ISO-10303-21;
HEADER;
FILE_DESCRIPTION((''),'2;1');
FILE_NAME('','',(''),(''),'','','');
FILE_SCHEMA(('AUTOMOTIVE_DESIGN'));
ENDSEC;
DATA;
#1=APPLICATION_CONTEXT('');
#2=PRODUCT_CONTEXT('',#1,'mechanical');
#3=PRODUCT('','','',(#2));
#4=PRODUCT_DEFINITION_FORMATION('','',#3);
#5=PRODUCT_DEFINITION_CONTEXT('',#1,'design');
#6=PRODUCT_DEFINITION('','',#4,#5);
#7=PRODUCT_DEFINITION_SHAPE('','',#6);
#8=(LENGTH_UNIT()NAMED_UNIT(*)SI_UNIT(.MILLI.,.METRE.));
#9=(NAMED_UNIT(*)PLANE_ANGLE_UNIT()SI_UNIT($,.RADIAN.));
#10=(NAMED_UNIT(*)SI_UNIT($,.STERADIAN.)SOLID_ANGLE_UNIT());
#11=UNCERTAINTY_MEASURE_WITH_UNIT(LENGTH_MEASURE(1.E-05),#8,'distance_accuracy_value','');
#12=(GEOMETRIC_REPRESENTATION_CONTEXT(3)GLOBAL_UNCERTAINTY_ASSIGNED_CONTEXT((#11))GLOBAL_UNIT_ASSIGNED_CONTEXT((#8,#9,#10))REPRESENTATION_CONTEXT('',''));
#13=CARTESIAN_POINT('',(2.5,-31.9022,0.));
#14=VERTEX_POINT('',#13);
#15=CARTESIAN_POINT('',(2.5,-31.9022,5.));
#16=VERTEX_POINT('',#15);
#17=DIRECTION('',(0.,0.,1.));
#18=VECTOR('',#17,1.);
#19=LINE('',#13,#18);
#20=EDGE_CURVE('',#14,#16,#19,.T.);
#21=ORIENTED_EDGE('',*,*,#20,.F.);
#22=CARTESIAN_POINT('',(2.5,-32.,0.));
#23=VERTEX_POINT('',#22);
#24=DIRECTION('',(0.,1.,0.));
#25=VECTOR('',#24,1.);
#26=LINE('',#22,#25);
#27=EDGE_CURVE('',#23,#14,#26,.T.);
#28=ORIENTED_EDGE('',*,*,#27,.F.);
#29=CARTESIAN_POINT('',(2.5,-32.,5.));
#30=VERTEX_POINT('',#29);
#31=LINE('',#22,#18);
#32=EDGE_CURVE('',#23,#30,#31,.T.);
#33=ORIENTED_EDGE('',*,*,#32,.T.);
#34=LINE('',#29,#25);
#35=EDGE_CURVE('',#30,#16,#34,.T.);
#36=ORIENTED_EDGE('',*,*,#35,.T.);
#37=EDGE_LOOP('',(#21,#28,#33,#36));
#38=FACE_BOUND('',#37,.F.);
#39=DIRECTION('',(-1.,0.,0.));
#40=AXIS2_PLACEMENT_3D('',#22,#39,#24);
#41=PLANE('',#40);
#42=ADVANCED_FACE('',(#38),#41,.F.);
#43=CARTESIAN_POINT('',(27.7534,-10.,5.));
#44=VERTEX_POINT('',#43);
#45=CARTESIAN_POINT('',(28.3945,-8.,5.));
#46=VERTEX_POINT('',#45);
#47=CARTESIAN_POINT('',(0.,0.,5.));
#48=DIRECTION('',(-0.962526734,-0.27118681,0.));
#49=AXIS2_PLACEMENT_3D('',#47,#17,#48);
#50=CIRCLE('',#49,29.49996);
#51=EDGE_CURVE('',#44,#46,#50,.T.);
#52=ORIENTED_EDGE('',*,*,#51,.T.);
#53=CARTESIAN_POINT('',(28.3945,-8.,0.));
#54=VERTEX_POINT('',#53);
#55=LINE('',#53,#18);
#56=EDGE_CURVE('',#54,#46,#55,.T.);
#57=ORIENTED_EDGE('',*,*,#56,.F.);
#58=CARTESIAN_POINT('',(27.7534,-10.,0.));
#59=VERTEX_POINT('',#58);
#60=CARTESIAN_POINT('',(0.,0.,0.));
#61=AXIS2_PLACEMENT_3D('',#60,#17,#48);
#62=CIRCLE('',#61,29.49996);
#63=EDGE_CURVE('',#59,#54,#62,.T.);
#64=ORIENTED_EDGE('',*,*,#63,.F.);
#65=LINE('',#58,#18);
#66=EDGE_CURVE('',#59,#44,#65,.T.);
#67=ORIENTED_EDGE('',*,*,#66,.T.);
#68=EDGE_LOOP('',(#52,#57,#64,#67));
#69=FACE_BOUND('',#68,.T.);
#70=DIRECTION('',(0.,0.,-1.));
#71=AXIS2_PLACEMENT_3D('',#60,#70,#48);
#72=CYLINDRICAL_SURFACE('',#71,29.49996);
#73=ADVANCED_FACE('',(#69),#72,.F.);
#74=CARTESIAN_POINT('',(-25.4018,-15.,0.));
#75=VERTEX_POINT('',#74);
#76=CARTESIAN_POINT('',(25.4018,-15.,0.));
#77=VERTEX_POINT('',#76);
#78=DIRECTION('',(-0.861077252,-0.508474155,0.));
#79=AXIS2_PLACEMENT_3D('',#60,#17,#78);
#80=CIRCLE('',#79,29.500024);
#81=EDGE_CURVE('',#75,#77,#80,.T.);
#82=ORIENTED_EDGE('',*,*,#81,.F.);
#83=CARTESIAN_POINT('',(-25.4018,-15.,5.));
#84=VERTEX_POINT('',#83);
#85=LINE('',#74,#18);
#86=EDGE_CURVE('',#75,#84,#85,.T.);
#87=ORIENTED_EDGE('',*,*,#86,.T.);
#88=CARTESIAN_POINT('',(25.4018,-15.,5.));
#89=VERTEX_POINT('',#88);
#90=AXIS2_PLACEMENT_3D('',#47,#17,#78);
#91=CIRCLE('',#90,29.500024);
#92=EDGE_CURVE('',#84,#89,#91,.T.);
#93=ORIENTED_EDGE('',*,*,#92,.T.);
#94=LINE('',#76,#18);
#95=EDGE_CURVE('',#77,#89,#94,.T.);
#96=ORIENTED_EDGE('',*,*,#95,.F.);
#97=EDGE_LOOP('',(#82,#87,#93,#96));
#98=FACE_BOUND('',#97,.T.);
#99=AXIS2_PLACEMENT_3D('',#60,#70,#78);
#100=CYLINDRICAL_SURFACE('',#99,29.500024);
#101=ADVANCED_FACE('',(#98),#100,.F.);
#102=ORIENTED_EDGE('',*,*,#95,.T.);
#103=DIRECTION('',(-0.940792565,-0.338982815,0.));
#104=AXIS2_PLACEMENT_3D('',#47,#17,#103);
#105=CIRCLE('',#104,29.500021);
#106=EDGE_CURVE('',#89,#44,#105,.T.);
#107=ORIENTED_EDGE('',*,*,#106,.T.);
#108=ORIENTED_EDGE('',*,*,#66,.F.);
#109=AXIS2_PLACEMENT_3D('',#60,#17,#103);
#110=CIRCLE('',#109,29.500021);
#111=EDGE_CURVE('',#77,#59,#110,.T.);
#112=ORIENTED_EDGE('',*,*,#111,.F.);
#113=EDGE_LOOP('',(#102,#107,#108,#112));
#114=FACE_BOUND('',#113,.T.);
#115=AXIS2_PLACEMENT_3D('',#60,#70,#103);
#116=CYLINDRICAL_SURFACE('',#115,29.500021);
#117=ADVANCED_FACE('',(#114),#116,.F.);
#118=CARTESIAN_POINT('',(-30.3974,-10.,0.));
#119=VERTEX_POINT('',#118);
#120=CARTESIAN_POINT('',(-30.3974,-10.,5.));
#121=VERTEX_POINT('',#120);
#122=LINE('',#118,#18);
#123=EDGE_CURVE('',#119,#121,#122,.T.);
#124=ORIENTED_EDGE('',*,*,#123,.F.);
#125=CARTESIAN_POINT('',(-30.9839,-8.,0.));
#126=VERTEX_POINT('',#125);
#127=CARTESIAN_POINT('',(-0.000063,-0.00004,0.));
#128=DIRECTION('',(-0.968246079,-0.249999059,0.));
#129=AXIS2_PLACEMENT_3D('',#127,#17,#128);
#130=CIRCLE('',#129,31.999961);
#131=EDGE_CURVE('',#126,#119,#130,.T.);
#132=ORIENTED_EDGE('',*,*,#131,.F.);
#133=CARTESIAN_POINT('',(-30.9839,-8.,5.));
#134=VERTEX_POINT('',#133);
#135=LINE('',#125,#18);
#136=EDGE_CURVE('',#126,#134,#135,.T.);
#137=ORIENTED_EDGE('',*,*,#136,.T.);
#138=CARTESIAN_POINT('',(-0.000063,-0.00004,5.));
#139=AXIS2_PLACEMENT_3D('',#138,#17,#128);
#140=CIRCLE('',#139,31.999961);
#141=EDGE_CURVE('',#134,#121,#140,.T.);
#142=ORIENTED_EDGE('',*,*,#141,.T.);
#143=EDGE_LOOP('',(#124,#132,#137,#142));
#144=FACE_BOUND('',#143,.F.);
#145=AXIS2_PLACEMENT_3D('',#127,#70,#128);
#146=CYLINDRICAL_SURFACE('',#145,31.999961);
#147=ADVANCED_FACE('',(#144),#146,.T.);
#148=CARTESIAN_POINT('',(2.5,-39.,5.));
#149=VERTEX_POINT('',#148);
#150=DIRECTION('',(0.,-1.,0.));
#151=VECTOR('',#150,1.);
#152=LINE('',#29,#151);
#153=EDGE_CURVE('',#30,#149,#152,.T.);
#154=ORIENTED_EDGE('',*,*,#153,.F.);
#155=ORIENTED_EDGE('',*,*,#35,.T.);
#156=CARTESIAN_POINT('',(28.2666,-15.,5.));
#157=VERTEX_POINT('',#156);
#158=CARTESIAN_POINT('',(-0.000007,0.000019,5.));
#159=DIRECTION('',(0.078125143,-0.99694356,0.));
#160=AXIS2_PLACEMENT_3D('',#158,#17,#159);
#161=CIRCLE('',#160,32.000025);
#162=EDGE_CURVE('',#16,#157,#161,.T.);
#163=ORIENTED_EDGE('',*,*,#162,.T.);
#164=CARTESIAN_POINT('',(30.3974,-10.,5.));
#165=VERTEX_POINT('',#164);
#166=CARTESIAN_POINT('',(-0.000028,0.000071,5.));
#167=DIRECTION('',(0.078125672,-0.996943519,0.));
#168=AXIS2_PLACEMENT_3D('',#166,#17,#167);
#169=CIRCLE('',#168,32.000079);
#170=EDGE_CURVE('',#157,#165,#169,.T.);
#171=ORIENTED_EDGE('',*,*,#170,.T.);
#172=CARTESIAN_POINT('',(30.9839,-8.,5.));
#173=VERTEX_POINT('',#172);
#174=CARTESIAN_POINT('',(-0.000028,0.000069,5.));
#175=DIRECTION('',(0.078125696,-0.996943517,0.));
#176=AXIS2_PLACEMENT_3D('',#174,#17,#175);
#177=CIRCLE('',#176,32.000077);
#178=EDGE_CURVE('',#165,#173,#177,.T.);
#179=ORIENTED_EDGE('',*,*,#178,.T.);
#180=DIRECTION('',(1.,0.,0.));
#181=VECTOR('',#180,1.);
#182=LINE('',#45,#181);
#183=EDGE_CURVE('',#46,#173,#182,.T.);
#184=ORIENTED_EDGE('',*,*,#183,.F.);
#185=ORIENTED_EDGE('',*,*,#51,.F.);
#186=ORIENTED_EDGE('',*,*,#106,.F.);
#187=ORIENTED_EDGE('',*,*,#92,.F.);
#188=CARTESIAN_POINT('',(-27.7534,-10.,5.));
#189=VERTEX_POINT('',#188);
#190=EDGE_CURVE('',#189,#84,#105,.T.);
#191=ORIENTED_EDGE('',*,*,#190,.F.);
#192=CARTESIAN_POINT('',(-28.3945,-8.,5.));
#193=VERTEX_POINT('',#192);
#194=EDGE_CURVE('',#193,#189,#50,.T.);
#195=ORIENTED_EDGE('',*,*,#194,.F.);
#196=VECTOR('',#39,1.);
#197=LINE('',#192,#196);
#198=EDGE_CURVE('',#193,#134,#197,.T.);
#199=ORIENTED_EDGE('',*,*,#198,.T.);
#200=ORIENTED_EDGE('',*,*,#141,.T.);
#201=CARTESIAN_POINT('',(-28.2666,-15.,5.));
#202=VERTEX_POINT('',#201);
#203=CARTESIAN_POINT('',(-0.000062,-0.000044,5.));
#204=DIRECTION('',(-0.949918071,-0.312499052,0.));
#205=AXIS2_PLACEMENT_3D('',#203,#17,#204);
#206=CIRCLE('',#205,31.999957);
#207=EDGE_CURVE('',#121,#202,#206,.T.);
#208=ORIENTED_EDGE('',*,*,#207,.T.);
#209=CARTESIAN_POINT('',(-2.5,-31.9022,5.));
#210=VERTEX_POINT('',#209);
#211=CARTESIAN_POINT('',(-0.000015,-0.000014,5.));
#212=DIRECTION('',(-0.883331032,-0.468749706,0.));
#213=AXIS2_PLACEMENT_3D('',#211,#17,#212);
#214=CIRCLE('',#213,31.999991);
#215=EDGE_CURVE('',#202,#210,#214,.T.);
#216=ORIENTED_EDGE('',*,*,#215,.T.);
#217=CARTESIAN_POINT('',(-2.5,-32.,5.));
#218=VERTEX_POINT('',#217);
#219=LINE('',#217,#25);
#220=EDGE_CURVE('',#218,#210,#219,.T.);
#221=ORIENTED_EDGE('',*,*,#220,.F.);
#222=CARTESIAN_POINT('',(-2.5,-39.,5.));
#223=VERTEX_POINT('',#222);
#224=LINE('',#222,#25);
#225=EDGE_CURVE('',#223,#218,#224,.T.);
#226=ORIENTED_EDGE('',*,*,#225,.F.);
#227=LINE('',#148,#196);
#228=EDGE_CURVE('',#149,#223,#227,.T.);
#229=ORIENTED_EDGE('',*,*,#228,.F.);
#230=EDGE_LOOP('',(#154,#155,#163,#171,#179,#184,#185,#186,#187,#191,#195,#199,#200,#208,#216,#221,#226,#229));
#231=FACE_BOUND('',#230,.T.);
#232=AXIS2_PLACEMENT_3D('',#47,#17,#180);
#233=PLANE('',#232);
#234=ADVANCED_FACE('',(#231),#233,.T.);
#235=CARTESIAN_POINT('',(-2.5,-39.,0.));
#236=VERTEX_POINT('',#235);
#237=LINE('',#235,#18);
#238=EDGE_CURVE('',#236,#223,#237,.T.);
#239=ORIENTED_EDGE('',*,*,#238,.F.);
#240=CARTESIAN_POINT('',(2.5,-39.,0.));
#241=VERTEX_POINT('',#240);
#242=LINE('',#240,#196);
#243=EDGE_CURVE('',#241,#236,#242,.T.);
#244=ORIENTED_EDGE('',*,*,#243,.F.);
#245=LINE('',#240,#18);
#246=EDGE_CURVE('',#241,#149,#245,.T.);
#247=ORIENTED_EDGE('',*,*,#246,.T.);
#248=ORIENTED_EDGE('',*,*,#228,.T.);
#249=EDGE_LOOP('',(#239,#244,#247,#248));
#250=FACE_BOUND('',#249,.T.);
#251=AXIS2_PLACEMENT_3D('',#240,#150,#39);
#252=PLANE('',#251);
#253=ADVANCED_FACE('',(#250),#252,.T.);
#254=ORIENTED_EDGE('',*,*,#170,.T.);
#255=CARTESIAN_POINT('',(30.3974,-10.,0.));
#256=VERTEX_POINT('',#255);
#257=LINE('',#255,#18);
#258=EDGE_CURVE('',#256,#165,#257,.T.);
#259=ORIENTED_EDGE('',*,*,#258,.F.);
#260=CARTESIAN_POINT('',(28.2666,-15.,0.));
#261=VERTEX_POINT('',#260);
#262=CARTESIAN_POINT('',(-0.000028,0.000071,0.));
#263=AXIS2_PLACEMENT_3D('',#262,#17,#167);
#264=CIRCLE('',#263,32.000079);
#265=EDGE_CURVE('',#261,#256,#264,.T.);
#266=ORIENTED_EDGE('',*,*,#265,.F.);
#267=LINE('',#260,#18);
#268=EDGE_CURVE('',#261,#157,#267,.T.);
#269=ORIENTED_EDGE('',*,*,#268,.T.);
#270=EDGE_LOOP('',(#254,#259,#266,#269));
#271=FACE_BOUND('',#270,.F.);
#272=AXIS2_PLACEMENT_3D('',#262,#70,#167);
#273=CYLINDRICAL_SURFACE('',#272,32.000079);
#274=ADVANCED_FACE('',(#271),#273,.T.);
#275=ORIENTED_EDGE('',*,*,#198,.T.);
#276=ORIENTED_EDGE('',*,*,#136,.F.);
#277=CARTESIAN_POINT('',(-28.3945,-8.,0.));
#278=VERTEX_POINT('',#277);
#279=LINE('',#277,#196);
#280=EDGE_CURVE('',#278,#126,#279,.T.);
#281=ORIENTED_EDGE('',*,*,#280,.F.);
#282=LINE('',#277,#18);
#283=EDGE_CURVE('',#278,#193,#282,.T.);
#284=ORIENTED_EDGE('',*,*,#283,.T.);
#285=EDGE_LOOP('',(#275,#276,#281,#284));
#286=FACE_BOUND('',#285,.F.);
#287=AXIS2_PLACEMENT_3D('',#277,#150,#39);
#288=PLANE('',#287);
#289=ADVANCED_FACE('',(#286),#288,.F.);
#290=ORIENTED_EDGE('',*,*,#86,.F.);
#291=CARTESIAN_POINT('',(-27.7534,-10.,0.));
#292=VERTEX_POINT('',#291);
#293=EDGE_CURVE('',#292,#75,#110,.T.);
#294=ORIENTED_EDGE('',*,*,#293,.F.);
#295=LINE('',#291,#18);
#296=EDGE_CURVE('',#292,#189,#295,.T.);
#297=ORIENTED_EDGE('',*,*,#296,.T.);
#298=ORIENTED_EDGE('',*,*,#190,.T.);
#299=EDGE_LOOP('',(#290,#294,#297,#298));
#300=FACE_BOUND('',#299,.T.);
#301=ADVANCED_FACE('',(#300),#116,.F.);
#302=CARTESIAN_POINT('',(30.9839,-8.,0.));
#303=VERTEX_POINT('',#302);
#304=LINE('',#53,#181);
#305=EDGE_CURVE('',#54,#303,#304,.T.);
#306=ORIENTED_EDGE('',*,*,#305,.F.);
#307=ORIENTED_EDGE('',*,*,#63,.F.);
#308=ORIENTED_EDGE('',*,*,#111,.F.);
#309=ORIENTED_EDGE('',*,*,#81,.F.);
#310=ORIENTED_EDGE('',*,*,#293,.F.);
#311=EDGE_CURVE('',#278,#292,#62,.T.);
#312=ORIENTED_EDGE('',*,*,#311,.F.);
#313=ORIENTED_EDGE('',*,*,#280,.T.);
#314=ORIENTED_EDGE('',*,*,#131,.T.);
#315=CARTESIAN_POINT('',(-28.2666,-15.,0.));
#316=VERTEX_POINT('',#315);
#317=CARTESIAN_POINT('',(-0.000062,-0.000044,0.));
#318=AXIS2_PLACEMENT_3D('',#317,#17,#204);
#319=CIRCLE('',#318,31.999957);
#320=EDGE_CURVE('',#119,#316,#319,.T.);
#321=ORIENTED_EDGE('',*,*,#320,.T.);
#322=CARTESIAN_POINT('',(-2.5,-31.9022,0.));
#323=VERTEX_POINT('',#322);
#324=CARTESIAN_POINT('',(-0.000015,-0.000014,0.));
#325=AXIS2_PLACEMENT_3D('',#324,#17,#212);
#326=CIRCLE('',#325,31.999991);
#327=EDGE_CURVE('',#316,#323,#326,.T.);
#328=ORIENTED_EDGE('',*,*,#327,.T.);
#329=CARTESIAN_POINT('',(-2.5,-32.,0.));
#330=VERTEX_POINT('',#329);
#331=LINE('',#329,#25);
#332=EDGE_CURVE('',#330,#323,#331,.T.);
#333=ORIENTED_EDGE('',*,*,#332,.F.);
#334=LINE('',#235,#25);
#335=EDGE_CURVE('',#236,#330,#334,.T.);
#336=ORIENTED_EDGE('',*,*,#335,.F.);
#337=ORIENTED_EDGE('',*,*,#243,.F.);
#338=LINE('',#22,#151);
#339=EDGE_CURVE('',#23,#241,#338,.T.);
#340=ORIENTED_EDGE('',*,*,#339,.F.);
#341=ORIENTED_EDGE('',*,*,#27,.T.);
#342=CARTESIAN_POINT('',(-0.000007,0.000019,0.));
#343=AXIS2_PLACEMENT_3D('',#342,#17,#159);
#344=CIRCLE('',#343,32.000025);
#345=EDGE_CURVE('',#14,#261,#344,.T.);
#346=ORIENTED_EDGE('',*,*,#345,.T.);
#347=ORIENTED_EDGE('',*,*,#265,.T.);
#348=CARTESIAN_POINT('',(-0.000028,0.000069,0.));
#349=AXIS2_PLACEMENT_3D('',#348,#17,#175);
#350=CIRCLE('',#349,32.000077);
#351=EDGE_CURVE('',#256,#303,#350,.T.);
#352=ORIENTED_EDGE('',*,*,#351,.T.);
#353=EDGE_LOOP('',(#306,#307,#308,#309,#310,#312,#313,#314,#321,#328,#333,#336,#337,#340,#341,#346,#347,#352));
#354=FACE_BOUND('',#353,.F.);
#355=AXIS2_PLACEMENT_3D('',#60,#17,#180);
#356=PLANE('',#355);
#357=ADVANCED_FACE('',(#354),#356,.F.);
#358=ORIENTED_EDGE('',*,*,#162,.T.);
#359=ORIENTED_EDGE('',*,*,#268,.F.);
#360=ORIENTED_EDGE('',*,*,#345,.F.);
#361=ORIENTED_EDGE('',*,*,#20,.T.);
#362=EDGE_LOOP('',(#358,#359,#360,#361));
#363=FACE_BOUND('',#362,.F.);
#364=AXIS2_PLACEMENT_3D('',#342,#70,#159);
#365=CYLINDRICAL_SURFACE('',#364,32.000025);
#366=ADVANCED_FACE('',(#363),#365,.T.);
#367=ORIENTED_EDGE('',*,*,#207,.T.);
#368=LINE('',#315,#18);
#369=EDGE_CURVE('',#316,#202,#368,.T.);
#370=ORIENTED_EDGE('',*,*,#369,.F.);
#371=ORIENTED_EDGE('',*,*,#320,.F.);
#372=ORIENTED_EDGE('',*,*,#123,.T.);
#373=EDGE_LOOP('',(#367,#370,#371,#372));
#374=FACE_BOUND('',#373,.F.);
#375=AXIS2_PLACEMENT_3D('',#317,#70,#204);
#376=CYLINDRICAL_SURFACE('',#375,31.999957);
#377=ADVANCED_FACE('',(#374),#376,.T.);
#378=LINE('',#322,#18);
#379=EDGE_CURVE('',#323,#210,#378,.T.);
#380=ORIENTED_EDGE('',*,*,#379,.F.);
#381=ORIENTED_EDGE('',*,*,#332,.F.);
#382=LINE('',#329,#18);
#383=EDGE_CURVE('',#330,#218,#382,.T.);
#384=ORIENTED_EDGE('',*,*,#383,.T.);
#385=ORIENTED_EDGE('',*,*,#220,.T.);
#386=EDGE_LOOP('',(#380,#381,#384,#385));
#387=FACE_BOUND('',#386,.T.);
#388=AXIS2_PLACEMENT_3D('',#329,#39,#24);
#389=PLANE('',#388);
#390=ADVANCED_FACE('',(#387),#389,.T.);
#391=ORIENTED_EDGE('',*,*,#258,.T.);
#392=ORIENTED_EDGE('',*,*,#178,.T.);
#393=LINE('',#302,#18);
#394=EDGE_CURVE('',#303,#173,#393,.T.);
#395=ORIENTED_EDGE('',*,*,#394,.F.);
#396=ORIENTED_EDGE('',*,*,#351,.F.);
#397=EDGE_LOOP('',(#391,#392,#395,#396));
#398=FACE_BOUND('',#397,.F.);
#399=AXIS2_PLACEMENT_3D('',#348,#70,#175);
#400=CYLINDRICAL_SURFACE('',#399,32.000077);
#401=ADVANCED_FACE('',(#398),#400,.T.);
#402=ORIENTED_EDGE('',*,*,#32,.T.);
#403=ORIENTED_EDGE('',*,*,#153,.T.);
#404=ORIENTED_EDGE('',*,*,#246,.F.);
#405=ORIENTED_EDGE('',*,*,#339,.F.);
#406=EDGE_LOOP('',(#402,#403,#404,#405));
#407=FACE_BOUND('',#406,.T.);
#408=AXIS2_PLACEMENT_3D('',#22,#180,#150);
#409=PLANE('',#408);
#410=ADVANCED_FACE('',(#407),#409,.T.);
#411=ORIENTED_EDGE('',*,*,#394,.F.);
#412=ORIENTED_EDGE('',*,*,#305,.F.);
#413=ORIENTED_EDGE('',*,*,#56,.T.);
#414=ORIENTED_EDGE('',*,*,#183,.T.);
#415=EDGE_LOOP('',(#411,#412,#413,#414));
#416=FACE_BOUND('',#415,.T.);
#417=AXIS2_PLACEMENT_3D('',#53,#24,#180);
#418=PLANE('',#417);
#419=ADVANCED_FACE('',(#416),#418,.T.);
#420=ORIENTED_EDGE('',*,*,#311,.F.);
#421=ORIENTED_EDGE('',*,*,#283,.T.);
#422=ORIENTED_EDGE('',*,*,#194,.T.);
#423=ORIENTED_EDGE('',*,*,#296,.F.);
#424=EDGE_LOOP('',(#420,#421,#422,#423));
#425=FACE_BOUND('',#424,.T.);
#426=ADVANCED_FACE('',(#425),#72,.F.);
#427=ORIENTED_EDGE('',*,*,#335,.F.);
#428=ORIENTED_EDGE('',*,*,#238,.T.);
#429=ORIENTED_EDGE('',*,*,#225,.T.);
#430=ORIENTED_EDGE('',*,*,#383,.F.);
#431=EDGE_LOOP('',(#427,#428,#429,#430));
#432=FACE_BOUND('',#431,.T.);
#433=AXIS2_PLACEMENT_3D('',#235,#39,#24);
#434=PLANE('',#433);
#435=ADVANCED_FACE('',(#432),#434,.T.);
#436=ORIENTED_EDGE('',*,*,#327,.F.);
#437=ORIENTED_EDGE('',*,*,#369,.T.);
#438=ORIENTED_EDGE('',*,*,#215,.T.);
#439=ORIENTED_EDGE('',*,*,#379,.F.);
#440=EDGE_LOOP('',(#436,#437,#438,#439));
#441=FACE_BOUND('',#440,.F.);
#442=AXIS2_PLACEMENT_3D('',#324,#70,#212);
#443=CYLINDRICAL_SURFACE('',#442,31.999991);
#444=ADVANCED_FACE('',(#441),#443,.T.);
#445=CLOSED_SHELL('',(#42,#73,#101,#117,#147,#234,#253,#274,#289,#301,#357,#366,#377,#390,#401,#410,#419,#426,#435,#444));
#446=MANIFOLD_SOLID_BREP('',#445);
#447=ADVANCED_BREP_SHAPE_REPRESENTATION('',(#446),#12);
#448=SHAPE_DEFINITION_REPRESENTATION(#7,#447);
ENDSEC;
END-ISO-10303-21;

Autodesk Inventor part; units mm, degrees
ref_plane "YZ Plane" through (0, 0, 0) normal (1, 0, 0) x (0, 1, 0)
ref_plane "XZ Plane" through (0, 0, 0) normal (0, 1, 0) x (-1, 0, 0)
ref_plane "XY Plane" through (0, 0, 0) normal (0, 0, 1) x (1, 0, 0)
sketch "Sketch1" plane through (0, 0, 0) normal (0, 0, 1) x (1, 0, 0)
  arc A0 (-25.4018, -15) -> (25.4018, -15) centre (0, 0) ccw
  line L0 (2.5, -32) -> (2.5, -39)
  line L1 (2.5, -39) -> (-2.5, -39)
  line L2 (-2.5, -39) -> (-2.5, -32)
  line L3 (-2.5, -32) -> (-2.5, -31.9022)
  line L4 (2.5, -32) -> (2.5, -31.9022)
  arc A1 (-28.2666, -15) -> (-2.5, -31.9022) centre (0, 0) ccw
  arc A2 (2.5, -31.9022) -> (28.2666, -15) centre (0, 0) ccw
  arc A3 (-27.7534, -10) -> (27.7534, -10) centre (0, 0) ccw
  arc A4 (-30.3974, -10) -> (-2.5, -31.9022) centre (0, 0) ccw
  arc A5 (2.5, -31.9022) -> (30.3974, -10) centre (0, 0) ccw
  arc A6 (-28.3945, -8) -> (28.3945, -8) centre (0, 0) ccw
  line L5 (-28.3945, -8) -> (-30.9839, -8)
  line L6 (28.3945, -8) -> (30.9839, -8)
  arc A7 (-30.9839, -8) -> (-2.5, -31.9022) centre (0, 0) ccw
  arc A8 (2.5, -31.9022) -> (30.9839, -8) centre (0, 0) ccw
  point P0 (25.4018, -15)
  point P1 (-28.2666, -15)
  point P2 (27.7534, -10)
  point P3 (-30.3974, -10)
  dimension "d43" = 5
  dimension "d64" = 7
extrude "Extrusion7" add sketch "Sketch1" along normal blind 5
properties part number "Clip_TestFitV1"
